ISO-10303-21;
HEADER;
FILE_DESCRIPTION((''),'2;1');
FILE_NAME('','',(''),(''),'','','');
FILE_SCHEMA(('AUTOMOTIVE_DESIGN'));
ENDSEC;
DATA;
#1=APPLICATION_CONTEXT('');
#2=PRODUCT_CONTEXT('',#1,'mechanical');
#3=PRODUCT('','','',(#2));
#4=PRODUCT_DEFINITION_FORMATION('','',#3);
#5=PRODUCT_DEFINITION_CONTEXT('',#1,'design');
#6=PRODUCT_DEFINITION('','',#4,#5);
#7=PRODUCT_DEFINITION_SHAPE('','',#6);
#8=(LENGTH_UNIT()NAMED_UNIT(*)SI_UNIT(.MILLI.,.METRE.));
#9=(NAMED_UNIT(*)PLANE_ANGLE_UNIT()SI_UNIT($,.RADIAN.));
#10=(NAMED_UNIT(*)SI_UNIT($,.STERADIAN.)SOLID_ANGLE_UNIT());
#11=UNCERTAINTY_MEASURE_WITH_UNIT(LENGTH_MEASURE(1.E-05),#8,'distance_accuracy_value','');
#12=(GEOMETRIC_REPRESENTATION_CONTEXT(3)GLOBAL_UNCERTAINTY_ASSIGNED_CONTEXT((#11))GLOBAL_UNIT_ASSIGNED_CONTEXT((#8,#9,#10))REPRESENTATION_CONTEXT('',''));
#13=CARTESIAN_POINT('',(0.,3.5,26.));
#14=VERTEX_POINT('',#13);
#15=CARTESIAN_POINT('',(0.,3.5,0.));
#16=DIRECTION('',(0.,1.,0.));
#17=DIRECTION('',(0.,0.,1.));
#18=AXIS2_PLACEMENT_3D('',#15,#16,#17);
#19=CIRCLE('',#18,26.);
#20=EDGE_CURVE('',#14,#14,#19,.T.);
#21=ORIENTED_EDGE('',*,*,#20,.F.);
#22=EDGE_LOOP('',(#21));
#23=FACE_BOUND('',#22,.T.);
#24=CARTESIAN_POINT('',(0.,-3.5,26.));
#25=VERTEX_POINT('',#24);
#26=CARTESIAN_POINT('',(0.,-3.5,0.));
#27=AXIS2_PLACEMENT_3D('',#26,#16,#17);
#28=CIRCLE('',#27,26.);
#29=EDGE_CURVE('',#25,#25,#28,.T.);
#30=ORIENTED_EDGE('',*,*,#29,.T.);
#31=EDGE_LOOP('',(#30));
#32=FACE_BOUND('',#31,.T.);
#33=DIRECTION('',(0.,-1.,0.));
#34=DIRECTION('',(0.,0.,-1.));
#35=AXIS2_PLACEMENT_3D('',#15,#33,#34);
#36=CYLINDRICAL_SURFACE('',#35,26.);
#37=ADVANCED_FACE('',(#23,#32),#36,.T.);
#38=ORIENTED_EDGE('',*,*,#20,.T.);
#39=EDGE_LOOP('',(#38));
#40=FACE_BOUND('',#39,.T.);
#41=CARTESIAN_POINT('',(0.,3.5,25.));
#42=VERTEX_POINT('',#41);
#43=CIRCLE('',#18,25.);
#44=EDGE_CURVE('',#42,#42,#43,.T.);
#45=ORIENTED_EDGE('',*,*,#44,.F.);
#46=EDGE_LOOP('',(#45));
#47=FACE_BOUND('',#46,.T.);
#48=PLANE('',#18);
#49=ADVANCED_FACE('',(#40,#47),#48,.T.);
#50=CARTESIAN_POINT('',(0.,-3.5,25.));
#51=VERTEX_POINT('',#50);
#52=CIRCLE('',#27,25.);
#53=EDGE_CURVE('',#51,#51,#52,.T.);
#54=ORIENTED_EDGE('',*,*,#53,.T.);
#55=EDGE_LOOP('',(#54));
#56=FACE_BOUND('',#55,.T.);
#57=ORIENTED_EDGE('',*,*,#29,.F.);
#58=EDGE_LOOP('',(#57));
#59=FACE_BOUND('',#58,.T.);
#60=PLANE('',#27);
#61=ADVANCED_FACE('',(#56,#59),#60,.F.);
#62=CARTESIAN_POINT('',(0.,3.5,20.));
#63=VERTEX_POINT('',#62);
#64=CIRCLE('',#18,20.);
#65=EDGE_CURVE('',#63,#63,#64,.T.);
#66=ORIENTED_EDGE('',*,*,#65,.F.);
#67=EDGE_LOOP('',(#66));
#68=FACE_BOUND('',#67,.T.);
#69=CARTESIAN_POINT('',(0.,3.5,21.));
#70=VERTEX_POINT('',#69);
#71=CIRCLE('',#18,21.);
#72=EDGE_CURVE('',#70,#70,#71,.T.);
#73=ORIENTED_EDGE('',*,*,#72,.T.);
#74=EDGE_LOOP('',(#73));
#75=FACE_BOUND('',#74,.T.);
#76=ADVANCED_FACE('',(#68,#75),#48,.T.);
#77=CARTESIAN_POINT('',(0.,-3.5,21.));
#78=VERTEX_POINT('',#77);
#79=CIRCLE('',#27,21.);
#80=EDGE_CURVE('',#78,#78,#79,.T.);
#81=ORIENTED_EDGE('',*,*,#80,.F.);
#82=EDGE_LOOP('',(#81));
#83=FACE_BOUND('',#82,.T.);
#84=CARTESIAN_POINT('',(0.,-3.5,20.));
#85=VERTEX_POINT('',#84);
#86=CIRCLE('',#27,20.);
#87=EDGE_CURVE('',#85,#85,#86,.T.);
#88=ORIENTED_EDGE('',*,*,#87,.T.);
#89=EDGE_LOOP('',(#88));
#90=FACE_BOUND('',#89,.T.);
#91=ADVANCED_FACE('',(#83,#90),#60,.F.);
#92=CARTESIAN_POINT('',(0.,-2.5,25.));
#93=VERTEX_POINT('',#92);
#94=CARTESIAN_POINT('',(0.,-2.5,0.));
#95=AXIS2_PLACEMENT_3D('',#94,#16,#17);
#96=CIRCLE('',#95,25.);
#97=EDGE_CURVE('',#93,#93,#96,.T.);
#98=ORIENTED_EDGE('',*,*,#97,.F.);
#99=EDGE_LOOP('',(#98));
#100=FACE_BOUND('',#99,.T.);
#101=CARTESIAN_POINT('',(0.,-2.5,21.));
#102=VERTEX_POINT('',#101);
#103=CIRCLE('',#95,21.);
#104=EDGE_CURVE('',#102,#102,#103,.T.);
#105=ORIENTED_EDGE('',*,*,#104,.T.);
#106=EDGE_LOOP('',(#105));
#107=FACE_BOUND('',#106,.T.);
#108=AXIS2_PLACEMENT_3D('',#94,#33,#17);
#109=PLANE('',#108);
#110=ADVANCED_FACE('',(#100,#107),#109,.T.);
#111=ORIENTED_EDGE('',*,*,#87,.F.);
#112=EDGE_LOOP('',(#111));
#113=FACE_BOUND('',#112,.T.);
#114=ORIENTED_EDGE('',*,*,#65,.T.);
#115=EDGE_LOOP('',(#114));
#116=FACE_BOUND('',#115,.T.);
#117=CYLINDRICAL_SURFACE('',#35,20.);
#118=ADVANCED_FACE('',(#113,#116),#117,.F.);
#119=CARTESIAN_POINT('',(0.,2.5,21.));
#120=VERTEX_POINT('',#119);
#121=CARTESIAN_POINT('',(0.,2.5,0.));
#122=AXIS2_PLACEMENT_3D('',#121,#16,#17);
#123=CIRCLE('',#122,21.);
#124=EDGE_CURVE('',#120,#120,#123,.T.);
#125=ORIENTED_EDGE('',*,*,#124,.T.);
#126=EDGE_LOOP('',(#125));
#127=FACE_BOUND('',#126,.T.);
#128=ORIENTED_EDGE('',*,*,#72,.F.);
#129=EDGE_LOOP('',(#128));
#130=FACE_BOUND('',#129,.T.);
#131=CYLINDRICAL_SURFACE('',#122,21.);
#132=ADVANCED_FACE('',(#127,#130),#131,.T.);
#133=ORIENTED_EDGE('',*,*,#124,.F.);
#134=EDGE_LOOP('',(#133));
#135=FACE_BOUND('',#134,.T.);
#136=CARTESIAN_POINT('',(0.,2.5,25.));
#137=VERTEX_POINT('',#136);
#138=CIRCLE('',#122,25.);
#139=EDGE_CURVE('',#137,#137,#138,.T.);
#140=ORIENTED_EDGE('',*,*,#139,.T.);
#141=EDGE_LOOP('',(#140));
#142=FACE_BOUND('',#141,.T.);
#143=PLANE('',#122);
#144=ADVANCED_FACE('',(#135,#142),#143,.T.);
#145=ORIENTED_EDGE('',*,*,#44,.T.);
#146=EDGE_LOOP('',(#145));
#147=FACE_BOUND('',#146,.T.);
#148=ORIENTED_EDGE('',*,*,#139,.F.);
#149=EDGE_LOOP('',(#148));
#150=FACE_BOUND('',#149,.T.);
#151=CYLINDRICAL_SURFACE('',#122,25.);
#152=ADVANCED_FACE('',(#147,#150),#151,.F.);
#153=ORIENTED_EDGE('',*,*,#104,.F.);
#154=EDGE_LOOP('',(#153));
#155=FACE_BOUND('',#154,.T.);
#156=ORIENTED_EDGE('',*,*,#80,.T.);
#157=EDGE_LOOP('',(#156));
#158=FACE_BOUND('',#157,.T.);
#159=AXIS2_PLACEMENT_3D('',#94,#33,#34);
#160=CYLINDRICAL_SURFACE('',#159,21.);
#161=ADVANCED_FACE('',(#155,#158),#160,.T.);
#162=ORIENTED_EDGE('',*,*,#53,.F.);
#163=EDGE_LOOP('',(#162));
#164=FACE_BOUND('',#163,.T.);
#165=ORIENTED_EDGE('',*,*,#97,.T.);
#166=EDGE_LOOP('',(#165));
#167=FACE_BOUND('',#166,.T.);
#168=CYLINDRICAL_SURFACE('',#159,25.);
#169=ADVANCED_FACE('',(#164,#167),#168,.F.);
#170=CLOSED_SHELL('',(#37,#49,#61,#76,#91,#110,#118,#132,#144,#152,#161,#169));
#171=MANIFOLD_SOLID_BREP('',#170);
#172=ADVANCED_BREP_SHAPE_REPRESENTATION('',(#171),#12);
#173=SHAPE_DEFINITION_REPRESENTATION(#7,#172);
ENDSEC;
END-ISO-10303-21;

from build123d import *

# Parameters (mm, degrees)
CROQUIS1_R              = 26
CROQUIS1_R_2            = 20
SALIENTE_EXTRUIR1_DEPTH = 3.5
CROQUIS2_R              = 25
CROQUIS2_R_2            = 21
CORTAR_EXTRUIR1_DEPTH   = 1


with BuildPart() as part:
    # Croquis1 → Saliente-Extruir1 (new body, symmetric)
    with BuildSketch(Plane(origin=(0, 0, 0), x_dir=(1, 0, 0), z_dir=(0, 1, 0))):
        Circle(CROQUIS1_R)
        Circle(CROQUIS1_R_2, mode=Mode.SUBTRACT)
    extrude(amount=SALIENTE_EXTRUIR1_DEPTH, both=True)

    # Croquis2 → Cortar-Extruir1 (cut)
    with BuildSketch(Plane(origin=(0, 3.5, 0), x_dir=(1, 0, 0), z_dir=(0, 1, 0))):
        Circle(CROQUIS2_R)
        Circle(CROQUIS2_R_2, mode=Mode.SUBTRACT)
    cortar_extruir1 = extrude(amount=-CORTAR_EXTRUIR1_DEPTH, mode=Mode.SUBTRACT)

    # Simetría1: Cortar-Extruir1 across plane
    add(cortar_extruir1.mirror(Plane.ZX), mode=Mode.SUBTRACT)


solid = part.part
